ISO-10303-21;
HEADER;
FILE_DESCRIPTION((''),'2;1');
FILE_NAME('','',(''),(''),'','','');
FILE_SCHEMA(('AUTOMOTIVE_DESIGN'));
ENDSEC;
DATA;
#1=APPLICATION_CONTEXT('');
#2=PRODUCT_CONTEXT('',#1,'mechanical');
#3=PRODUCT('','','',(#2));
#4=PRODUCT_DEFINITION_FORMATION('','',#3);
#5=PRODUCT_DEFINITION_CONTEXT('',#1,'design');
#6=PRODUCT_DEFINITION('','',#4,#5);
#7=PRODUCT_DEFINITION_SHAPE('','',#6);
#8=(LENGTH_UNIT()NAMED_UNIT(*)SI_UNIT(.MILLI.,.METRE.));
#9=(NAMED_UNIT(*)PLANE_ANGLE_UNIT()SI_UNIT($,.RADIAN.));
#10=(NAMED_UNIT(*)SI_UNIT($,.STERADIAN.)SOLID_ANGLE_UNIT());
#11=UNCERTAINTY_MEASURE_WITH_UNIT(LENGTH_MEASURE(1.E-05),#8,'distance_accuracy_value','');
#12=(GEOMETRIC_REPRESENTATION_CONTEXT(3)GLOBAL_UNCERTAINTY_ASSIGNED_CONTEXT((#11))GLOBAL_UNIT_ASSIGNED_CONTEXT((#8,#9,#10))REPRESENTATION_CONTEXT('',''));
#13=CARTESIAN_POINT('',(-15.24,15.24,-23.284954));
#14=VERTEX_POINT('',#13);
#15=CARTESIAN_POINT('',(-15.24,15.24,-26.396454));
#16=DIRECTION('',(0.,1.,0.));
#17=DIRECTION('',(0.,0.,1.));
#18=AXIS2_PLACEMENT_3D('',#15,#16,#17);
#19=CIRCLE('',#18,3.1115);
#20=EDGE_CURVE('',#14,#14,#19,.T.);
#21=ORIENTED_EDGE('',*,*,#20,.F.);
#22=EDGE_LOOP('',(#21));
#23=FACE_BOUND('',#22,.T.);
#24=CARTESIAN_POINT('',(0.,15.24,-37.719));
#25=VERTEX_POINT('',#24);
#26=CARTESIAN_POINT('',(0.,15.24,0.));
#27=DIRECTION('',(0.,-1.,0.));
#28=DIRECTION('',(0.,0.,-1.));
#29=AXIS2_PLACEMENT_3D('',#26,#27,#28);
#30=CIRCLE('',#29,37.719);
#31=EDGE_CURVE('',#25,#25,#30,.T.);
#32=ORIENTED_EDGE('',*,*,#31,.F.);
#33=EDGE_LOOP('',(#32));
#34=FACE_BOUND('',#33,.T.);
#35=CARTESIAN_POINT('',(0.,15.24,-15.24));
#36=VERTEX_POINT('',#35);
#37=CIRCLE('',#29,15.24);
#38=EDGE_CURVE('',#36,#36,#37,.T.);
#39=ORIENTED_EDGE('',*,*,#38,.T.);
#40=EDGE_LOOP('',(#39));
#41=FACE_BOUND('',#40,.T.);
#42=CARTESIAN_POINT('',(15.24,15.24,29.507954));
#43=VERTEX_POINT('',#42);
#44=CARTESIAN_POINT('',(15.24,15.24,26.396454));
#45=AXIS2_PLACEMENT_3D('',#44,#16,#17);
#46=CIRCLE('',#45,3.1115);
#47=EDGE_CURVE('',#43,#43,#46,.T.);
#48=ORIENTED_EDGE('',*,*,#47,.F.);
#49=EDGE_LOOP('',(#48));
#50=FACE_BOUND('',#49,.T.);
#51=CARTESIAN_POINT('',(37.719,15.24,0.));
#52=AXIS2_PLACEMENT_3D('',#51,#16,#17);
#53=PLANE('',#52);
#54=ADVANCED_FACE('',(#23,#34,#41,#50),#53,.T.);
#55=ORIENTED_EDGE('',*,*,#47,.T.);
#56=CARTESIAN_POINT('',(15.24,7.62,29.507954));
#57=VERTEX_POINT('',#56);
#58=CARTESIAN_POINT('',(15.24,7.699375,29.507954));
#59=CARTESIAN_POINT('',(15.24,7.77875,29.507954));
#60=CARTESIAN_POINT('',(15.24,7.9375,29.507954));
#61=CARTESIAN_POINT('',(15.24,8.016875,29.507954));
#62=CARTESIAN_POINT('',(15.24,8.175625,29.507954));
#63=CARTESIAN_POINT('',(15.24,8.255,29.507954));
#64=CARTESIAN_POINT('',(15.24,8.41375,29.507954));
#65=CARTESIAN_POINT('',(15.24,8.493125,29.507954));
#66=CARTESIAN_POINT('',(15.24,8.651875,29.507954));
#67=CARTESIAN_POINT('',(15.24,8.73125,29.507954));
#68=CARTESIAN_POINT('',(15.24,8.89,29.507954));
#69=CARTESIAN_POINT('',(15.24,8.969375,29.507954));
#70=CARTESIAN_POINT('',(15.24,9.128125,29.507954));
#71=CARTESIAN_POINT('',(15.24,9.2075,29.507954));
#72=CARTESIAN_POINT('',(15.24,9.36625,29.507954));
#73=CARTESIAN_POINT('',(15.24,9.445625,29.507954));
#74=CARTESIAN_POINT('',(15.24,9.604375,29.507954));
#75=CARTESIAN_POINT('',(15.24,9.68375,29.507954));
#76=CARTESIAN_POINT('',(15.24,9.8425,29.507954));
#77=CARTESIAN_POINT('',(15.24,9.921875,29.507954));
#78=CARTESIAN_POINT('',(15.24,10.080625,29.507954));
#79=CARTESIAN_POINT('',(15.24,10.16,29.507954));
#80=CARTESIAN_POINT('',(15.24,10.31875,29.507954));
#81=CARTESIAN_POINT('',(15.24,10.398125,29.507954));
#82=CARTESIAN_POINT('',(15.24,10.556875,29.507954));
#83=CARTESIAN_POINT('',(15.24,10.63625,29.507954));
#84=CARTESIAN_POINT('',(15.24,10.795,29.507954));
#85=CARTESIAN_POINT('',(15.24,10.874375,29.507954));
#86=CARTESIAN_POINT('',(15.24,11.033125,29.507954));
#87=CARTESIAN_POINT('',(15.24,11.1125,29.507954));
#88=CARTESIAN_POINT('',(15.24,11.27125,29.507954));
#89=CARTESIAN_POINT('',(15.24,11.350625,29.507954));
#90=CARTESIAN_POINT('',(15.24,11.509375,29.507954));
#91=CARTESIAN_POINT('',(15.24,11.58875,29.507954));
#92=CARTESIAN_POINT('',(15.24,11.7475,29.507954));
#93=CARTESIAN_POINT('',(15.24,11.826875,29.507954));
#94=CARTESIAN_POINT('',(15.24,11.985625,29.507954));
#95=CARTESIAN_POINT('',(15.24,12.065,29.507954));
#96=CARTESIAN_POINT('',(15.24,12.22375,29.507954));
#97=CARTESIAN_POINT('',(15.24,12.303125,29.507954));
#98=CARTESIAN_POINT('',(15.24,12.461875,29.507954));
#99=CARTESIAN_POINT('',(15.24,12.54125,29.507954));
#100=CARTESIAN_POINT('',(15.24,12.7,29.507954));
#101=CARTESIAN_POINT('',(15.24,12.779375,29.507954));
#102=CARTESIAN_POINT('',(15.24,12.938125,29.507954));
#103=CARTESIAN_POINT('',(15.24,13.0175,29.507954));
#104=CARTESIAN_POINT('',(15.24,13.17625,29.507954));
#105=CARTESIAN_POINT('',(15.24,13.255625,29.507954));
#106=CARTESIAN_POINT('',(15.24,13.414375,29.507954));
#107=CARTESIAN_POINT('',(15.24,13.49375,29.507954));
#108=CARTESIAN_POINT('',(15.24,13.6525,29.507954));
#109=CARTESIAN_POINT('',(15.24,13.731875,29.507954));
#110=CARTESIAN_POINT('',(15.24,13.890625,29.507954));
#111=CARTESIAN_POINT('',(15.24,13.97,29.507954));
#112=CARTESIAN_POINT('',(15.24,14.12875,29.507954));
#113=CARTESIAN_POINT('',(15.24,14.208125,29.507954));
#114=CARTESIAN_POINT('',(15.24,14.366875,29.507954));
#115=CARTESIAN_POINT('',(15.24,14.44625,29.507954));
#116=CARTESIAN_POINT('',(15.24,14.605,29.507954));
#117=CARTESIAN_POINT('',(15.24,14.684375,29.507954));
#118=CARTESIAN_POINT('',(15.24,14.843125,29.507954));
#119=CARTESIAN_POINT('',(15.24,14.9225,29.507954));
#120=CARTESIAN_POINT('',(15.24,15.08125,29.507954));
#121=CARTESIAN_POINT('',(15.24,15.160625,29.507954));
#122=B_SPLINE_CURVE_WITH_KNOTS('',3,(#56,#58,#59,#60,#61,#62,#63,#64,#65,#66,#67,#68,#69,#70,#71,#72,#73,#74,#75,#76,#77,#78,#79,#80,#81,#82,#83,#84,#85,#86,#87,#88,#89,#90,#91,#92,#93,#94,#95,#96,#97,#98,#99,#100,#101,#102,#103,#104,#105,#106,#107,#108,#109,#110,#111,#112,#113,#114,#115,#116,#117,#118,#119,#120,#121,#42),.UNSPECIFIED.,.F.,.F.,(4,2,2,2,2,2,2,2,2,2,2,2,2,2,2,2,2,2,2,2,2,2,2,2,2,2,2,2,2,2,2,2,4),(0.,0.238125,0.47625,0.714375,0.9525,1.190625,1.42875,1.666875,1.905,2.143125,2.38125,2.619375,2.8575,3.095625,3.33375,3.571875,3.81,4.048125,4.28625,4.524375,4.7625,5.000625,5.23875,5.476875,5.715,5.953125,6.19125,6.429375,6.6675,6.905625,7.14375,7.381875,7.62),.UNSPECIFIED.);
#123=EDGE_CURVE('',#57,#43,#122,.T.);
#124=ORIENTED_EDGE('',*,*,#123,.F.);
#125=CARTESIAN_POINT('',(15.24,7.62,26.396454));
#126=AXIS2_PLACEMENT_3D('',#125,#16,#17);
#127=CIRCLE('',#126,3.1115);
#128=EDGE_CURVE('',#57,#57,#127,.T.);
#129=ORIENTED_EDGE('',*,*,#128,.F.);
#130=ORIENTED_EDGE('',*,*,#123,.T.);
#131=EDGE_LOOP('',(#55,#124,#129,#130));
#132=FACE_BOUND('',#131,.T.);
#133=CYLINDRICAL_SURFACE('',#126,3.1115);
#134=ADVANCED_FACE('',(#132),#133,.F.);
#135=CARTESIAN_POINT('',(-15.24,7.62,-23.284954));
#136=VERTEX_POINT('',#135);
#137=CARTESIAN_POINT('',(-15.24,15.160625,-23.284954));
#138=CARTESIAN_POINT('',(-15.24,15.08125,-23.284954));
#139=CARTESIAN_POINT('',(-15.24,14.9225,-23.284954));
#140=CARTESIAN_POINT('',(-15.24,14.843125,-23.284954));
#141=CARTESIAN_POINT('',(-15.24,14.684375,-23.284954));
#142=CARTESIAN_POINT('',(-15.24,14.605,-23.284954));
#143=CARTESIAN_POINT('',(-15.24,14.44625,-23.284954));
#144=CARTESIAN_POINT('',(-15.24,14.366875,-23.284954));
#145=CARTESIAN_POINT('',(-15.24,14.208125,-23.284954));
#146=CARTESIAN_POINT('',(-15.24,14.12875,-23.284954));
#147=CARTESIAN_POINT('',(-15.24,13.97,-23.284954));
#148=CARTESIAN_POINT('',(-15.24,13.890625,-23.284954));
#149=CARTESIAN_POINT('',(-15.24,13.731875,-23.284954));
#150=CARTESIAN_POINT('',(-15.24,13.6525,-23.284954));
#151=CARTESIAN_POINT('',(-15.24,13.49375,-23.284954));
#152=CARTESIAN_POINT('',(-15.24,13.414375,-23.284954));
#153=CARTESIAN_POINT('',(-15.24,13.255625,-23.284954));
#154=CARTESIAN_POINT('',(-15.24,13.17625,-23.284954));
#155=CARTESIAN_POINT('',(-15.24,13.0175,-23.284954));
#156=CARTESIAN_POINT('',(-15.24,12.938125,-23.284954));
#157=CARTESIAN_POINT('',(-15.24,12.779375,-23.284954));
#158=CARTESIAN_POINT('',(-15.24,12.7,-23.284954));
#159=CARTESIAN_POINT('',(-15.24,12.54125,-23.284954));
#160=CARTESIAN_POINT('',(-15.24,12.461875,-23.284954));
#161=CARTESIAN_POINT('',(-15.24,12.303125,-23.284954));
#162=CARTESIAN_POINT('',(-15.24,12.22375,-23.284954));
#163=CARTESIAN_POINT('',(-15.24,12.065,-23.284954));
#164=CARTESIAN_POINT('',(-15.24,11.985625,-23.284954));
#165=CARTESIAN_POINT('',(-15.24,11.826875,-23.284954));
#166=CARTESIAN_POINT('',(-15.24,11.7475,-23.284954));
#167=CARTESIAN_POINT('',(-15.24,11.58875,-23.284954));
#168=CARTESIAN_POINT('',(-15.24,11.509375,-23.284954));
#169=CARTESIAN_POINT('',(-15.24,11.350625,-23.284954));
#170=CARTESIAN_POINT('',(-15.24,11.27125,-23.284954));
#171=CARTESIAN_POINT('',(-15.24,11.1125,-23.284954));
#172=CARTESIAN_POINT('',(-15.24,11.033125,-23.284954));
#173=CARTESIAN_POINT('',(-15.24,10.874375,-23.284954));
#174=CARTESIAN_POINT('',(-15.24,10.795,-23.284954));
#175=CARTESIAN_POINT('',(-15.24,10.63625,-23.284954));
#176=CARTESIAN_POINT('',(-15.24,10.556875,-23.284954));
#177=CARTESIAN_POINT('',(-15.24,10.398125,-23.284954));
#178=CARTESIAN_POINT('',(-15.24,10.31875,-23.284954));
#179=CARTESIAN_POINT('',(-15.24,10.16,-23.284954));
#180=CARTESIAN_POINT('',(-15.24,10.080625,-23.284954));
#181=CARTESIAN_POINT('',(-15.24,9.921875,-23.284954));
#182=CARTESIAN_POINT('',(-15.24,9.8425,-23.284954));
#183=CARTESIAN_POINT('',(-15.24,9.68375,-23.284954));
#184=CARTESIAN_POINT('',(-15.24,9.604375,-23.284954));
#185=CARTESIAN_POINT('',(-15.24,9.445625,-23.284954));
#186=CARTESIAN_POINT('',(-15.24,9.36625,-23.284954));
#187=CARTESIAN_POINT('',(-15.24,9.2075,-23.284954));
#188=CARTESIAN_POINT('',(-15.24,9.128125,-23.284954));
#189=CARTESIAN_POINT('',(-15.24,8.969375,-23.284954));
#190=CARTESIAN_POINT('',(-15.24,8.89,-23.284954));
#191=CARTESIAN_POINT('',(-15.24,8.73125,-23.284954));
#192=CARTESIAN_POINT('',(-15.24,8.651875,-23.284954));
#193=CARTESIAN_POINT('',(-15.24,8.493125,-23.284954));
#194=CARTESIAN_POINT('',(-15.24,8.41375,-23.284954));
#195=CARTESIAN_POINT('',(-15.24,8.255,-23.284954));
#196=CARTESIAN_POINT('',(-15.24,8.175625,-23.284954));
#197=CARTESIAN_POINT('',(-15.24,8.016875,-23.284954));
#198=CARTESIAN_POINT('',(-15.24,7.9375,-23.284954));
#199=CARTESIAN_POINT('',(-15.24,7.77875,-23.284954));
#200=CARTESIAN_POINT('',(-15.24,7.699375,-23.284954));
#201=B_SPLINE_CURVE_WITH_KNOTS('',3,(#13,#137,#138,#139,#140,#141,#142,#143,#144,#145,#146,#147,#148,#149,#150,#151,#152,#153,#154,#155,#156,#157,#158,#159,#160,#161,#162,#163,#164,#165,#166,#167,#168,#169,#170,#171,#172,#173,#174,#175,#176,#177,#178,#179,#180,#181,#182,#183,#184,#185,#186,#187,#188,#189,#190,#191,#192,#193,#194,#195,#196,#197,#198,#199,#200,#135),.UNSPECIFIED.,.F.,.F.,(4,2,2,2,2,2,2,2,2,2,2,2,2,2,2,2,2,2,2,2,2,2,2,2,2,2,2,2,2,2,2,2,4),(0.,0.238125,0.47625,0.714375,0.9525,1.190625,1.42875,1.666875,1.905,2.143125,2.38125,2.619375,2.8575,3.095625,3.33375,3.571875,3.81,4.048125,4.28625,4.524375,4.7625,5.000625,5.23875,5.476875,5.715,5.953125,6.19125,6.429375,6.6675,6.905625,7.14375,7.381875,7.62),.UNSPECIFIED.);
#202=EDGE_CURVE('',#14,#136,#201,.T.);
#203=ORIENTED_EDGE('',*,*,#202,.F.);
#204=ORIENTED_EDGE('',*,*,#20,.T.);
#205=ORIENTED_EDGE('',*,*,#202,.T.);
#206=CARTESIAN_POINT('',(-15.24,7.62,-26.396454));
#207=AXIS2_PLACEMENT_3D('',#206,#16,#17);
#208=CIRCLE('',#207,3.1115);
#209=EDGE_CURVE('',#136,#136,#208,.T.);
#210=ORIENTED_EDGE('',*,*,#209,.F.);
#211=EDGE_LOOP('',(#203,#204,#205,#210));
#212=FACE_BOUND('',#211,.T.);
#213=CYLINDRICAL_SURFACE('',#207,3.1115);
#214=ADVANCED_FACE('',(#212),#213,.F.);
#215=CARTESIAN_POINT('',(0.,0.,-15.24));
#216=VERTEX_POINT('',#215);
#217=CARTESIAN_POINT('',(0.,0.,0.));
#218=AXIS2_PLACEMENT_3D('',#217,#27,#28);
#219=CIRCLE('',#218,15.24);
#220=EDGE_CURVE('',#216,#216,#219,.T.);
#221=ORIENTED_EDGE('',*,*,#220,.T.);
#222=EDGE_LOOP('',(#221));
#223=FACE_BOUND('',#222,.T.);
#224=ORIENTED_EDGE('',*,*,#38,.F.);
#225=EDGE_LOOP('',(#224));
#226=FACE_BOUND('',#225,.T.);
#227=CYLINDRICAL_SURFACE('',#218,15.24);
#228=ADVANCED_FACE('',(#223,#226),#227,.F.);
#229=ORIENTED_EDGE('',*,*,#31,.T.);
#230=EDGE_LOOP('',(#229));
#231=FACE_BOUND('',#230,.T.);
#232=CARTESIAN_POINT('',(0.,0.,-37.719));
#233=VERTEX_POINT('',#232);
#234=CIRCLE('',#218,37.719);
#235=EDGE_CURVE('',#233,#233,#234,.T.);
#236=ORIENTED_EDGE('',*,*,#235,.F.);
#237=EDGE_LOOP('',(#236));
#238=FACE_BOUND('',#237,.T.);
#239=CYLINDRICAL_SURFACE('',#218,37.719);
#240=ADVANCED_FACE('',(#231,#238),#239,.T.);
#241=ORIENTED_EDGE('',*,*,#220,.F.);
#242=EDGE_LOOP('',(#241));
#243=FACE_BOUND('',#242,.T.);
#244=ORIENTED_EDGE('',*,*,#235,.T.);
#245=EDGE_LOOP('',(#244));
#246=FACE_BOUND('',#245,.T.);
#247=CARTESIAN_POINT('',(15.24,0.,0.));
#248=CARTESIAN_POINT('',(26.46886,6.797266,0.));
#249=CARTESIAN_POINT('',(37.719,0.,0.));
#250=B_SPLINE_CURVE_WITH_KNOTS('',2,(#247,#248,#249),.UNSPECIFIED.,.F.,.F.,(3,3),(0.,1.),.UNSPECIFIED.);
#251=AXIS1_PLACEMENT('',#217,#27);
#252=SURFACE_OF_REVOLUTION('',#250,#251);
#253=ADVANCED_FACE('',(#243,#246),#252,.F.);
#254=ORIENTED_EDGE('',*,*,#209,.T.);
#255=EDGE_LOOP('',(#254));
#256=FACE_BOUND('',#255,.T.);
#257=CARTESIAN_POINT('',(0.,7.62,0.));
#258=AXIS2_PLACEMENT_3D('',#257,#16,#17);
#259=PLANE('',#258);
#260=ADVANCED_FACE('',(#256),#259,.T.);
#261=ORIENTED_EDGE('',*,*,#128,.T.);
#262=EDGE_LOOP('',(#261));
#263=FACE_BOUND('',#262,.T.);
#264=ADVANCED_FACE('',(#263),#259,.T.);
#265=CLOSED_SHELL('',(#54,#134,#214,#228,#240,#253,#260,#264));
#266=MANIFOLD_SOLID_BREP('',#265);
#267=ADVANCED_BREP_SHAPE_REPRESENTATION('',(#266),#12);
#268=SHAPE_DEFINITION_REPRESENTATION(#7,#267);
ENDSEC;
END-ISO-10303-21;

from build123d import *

# Parameters (mm, degrees)
SKETCH2_R          = 3.1115
CUT_EXTRUDE1_DEPTH = 7.62


with BuildPart() as part:
    # Sketch1 → Revolve1 (revolve)
    with BuildSketch(Plane.XY, mode=Mode.PRIVATE) as revolve1_sk:
        with BuildLine():
            Line((37.719, 0), (37.719, 15.24))
            Line((37.719, 15.24), (15.24, 15.24))
            Line((15.24, 15.24), (15.24, 0))
            add(Edge.make_bspline(
                [(15.24, 0), (26.468860477, 6.797265709), (37.719, 0)],
                knots=[0, 0, 0, 1, 1, 1], degree=2))
        make_face()
    revolve(revolve1_sk.sketch.rotate(Axis((0, 0, 0), (0, 1, 0)), 90), axis=Axis((0, 0, 0), (0, 1, 0)))

    # Sketch2 → Cut-Extrude1 (cut)
    with BuildSketch(Plane(origin=(0, 15.24, 0), x_dir=(1, 0, 0), z_dir=(0, 1, 0))):
        with Locations(Location((15.24, -26.396454307, 0), (0, 0, 270))):
            Circle(SKETCH2_R)
        with Locations(Location((-15.24, 26.396454307, 0), (0, 0, 270))):
            Circle(SKETCH2_R)
    extrude(amount=-CUT_EXTRUDE1_DEPTH, mode=Mode.SUBTRACT)


solid = part.part
